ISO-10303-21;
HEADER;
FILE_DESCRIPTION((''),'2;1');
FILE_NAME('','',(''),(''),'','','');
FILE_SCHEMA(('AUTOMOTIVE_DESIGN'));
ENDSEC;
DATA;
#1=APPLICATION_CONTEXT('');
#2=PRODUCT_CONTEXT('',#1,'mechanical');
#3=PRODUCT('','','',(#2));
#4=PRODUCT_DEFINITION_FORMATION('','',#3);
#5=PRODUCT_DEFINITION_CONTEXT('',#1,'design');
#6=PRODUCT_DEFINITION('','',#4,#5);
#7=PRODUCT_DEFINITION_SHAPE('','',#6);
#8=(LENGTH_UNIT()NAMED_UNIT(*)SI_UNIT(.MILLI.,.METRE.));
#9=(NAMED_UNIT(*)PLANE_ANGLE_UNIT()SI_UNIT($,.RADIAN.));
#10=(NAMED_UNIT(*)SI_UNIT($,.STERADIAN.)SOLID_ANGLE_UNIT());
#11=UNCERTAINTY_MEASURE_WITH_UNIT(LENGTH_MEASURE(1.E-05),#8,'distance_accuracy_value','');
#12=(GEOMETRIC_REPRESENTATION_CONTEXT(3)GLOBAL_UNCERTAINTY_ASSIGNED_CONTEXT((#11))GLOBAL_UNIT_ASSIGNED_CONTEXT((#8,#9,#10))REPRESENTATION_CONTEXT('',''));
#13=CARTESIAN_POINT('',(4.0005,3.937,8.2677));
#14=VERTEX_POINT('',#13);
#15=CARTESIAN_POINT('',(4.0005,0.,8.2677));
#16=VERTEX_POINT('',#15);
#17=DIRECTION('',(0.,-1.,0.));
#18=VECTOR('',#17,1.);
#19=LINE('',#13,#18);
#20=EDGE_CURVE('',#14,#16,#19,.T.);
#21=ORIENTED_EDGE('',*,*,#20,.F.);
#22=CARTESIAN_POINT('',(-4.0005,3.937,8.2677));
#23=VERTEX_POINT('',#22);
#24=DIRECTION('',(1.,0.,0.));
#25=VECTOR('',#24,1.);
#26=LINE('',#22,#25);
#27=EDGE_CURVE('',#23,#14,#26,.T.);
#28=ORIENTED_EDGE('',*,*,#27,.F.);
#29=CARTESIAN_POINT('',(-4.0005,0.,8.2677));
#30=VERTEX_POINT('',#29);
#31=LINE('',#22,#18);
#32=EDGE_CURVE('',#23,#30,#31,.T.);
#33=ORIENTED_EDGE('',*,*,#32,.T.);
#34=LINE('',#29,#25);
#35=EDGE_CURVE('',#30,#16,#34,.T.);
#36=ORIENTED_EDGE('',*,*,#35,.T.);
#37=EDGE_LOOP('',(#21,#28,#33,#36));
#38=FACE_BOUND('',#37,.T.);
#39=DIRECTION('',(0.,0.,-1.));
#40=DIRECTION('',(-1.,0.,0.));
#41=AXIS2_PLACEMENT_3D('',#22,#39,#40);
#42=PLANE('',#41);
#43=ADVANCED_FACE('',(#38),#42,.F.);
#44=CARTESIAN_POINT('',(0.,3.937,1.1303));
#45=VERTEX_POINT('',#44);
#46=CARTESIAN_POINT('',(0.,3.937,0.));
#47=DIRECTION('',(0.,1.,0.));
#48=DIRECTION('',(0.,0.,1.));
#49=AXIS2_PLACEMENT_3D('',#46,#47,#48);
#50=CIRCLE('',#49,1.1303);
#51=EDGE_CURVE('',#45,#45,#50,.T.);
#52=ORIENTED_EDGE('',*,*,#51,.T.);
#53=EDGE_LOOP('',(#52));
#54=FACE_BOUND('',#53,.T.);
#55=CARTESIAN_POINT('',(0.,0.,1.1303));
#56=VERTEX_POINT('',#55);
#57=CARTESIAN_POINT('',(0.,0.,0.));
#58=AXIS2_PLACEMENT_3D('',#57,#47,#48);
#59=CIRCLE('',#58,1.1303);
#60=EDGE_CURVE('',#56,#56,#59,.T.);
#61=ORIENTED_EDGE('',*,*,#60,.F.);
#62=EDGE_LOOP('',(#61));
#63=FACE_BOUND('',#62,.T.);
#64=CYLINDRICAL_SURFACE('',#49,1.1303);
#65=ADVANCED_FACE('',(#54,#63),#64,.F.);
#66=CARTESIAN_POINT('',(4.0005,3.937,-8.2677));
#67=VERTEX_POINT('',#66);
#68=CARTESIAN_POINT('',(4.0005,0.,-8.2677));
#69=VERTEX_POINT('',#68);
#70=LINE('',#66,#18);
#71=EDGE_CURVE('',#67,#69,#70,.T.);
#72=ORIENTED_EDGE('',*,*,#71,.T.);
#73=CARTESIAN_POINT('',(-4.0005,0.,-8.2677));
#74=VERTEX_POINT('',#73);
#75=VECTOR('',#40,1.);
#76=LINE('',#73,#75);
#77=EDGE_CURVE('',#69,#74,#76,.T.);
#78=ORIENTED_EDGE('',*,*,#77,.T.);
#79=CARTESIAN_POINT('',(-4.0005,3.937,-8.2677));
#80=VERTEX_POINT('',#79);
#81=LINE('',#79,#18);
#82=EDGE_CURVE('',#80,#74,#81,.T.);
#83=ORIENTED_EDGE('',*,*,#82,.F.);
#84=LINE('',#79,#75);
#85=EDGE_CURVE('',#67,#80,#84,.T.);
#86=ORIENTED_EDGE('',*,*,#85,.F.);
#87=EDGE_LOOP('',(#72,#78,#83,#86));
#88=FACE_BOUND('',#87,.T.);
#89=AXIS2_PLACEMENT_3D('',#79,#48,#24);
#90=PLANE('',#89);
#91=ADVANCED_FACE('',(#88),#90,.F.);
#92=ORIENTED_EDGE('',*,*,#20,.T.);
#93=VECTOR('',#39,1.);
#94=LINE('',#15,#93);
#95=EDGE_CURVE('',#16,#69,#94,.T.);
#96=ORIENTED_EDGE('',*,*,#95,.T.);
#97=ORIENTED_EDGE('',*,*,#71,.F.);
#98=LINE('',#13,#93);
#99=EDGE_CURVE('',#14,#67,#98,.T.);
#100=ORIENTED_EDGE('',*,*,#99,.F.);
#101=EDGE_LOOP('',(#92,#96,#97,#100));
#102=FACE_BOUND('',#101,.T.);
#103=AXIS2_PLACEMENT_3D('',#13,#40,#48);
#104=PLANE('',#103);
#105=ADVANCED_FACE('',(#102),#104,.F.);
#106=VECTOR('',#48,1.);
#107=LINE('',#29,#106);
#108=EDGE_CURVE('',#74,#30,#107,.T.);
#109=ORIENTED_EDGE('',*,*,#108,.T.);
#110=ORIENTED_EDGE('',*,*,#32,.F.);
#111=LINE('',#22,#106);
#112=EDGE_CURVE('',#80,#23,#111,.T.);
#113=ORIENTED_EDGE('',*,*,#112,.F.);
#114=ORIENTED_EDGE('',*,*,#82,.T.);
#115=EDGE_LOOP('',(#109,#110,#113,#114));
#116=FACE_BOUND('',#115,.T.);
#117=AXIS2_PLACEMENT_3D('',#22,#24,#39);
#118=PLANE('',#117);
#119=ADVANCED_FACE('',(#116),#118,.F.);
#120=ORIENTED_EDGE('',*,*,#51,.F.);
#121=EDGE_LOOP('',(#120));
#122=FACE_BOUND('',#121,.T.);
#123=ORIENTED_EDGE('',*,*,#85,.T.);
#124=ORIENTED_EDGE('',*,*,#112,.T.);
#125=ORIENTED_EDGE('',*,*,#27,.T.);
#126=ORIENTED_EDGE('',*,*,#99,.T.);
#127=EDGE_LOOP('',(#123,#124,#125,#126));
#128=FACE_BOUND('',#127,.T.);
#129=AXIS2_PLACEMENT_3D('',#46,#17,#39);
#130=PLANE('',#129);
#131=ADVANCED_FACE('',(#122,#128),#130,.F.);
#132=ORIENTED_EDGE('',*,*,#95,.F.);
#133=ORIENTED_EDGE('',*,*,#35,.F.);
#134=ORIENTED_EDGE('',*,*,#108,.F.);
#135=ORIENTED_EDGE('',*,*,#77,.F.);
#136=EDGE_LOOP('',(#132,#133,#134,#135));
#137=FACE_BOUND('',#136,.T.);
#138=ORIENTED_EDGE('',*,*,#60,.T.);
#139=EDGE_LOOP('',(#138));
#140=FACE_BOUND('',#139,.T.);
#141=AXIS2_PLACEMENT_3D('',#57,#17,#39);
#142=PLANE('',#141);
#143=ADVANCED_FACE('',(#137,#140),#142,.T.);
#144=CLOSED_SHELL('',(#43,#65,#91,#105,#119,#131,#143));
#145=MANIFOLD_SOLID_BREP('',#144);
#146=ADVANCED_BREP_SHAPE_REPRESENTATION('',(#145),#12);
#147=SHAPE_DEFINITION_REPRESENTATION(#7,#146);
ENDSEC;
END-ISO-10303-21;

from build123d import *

# Parameters (mm, degrees)
SKETCH1_W             = 8.001
SKETCH1_H             = 16.5354
BOSS_EXTRUDE1_DEPTH   = 3.937
F_4_40_TAPPED_HOLE1_D = 2.2606


with BuildPart() as part:
    # Sketch1 → Boss-Extrude1 (new body)
    with BuildSketch(Plane(origin=(0, 0, 0), x_dir=(1, 0, 0), z_dir=(0, 1, 0))):
        Rectangle(SKETCH1_W, SKETCH1_H)
    extrude(amount=BOSS_EXTRUDE1_DEPTH)

    # #4-40 Tapped Hole1 (through all)
    with Locations(Plane(origin=(0, 3.937, 0), x_dir=(1, 0, 0), z_dir=(0, 1, 0))):
        with Locations((0, 0)):
            Hole(F_4_40_TAPPED_HOLE1_D / 2)


solid = part.part
